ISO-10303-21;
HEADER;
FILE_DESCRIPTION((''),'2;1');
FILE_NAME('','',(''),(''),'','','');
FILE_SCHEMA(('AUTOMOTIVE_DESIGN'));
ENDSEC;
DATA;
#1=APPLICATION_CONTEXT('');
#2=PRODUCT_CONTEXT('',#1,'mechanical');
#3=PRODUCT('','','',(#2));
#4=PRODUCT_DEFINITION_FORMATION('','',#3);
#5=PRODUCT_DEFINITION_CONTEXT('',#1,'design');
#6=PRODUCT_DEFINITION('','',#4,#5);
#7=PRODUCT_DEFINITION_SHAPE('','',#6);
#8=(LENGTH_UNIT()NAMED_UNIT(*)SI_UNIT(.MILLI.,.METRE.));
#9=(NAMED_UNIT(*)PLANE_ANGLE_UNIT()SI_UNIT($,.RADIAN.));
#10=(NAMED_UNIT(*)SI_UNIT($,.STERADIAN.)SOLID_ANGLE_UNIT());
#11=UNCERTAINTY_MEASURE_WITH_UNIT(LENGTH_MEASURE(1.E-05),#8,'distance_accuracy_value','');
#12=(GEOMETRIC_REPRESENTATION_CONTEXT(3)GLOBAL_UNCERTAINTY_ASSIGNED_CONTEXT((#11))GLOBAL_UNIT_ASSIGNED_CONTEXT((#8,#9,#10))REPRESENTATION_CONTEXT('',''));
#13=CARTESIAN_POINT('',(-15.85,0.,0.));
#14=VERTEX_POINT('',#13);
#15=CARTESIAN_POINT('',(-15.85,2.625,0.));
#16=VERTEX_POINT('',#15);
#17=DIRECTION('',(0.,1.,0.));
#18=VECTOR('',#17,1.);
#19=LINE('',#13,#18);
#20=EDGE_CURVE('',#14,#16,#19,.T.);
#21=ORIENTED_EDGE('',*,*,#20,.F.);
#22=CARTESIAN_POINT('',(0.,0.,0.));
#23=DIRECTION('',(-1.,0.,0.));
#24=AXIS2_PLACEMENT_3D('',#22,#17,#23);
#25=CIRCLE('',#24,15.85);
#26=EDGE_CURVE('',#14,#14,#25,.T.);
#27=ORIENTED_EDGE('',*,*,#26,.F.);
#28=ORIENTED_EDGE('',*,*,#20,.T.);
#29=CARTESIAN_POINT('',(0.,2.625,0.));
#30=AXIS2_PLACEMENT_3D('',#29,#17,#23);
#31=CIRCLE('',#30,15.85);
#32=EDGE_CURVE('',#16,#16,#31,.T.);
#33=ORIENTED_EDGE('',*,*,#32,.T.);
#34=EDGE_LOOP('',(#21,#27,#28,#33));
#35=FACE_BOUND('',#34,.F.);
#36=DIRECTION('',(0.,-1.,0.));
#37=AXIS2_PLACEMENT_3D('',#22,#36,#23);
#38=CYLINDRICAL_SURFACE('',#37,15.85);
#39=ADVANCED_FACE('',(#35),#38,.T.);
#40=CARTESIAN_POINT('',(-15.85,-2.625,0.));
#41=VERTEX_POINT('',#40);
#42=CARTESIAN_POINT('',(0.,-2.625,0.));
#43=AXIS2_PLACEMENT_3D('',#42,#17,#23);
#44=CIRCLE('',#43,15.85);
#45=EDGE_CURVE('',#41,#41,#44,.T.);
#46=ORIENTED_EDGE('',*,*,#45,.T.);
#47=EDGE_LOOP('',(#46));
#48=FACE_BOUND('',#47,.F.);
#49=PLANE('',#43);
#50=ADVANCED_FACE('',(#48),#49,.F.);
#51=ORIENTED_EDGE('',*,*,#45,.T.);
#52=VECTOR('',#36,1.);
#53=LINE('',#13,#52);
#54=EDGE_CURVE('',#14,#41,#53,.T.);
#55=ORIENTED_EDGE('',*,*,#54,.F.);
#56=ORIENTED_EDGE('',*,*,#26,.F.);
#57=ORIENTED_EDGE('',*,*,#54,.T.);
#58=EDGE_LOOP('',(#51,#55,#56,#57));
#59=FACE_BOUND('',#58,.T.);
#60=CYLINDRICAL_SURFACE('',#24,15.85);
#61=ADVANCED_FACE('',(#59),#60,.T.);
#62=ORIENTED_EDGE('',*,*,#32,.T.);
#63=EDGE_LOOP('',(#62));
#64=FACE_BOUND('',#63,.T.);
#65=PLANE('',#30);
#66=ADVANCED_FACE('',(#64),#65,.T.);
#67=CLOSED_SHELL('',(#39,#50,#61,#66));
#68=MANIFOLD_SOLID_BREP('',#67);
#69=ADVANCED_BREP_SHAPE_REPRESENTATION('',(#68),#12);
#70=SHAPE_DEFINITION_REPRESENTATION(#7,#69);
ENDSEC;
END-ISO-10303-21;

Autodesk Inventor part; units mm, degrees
ref_plane "YZ Plane" through (0, 0, 0) normal (1, 0, 0) x (0, 1, 0)
ref_plane "XZ Plane" through (0, 0, 0) normal (0, 1, 0) x (-1, 0, 0)
ref_plane "XY Plane" through (0, 0, 0) normal (0, 0, 1) x (1, 0, 0)
sketch "Sketch1" plane through (0, 0, 0) normal (0, 1, 0) x (-1, 0, 0)
  circle A0 centre (0, 0) radius 15.85
  dimension "d0" = 31.7
extrude "Extrusion1" add sketch "Sketch1" along normal mid plane 5.25
equation "\"d0\" = NekroDiameter"
equation "\"NekroDiameter\" = 31.7"
properties part number "FactionSpecial_Nekro_Rifts" material "Paper"
